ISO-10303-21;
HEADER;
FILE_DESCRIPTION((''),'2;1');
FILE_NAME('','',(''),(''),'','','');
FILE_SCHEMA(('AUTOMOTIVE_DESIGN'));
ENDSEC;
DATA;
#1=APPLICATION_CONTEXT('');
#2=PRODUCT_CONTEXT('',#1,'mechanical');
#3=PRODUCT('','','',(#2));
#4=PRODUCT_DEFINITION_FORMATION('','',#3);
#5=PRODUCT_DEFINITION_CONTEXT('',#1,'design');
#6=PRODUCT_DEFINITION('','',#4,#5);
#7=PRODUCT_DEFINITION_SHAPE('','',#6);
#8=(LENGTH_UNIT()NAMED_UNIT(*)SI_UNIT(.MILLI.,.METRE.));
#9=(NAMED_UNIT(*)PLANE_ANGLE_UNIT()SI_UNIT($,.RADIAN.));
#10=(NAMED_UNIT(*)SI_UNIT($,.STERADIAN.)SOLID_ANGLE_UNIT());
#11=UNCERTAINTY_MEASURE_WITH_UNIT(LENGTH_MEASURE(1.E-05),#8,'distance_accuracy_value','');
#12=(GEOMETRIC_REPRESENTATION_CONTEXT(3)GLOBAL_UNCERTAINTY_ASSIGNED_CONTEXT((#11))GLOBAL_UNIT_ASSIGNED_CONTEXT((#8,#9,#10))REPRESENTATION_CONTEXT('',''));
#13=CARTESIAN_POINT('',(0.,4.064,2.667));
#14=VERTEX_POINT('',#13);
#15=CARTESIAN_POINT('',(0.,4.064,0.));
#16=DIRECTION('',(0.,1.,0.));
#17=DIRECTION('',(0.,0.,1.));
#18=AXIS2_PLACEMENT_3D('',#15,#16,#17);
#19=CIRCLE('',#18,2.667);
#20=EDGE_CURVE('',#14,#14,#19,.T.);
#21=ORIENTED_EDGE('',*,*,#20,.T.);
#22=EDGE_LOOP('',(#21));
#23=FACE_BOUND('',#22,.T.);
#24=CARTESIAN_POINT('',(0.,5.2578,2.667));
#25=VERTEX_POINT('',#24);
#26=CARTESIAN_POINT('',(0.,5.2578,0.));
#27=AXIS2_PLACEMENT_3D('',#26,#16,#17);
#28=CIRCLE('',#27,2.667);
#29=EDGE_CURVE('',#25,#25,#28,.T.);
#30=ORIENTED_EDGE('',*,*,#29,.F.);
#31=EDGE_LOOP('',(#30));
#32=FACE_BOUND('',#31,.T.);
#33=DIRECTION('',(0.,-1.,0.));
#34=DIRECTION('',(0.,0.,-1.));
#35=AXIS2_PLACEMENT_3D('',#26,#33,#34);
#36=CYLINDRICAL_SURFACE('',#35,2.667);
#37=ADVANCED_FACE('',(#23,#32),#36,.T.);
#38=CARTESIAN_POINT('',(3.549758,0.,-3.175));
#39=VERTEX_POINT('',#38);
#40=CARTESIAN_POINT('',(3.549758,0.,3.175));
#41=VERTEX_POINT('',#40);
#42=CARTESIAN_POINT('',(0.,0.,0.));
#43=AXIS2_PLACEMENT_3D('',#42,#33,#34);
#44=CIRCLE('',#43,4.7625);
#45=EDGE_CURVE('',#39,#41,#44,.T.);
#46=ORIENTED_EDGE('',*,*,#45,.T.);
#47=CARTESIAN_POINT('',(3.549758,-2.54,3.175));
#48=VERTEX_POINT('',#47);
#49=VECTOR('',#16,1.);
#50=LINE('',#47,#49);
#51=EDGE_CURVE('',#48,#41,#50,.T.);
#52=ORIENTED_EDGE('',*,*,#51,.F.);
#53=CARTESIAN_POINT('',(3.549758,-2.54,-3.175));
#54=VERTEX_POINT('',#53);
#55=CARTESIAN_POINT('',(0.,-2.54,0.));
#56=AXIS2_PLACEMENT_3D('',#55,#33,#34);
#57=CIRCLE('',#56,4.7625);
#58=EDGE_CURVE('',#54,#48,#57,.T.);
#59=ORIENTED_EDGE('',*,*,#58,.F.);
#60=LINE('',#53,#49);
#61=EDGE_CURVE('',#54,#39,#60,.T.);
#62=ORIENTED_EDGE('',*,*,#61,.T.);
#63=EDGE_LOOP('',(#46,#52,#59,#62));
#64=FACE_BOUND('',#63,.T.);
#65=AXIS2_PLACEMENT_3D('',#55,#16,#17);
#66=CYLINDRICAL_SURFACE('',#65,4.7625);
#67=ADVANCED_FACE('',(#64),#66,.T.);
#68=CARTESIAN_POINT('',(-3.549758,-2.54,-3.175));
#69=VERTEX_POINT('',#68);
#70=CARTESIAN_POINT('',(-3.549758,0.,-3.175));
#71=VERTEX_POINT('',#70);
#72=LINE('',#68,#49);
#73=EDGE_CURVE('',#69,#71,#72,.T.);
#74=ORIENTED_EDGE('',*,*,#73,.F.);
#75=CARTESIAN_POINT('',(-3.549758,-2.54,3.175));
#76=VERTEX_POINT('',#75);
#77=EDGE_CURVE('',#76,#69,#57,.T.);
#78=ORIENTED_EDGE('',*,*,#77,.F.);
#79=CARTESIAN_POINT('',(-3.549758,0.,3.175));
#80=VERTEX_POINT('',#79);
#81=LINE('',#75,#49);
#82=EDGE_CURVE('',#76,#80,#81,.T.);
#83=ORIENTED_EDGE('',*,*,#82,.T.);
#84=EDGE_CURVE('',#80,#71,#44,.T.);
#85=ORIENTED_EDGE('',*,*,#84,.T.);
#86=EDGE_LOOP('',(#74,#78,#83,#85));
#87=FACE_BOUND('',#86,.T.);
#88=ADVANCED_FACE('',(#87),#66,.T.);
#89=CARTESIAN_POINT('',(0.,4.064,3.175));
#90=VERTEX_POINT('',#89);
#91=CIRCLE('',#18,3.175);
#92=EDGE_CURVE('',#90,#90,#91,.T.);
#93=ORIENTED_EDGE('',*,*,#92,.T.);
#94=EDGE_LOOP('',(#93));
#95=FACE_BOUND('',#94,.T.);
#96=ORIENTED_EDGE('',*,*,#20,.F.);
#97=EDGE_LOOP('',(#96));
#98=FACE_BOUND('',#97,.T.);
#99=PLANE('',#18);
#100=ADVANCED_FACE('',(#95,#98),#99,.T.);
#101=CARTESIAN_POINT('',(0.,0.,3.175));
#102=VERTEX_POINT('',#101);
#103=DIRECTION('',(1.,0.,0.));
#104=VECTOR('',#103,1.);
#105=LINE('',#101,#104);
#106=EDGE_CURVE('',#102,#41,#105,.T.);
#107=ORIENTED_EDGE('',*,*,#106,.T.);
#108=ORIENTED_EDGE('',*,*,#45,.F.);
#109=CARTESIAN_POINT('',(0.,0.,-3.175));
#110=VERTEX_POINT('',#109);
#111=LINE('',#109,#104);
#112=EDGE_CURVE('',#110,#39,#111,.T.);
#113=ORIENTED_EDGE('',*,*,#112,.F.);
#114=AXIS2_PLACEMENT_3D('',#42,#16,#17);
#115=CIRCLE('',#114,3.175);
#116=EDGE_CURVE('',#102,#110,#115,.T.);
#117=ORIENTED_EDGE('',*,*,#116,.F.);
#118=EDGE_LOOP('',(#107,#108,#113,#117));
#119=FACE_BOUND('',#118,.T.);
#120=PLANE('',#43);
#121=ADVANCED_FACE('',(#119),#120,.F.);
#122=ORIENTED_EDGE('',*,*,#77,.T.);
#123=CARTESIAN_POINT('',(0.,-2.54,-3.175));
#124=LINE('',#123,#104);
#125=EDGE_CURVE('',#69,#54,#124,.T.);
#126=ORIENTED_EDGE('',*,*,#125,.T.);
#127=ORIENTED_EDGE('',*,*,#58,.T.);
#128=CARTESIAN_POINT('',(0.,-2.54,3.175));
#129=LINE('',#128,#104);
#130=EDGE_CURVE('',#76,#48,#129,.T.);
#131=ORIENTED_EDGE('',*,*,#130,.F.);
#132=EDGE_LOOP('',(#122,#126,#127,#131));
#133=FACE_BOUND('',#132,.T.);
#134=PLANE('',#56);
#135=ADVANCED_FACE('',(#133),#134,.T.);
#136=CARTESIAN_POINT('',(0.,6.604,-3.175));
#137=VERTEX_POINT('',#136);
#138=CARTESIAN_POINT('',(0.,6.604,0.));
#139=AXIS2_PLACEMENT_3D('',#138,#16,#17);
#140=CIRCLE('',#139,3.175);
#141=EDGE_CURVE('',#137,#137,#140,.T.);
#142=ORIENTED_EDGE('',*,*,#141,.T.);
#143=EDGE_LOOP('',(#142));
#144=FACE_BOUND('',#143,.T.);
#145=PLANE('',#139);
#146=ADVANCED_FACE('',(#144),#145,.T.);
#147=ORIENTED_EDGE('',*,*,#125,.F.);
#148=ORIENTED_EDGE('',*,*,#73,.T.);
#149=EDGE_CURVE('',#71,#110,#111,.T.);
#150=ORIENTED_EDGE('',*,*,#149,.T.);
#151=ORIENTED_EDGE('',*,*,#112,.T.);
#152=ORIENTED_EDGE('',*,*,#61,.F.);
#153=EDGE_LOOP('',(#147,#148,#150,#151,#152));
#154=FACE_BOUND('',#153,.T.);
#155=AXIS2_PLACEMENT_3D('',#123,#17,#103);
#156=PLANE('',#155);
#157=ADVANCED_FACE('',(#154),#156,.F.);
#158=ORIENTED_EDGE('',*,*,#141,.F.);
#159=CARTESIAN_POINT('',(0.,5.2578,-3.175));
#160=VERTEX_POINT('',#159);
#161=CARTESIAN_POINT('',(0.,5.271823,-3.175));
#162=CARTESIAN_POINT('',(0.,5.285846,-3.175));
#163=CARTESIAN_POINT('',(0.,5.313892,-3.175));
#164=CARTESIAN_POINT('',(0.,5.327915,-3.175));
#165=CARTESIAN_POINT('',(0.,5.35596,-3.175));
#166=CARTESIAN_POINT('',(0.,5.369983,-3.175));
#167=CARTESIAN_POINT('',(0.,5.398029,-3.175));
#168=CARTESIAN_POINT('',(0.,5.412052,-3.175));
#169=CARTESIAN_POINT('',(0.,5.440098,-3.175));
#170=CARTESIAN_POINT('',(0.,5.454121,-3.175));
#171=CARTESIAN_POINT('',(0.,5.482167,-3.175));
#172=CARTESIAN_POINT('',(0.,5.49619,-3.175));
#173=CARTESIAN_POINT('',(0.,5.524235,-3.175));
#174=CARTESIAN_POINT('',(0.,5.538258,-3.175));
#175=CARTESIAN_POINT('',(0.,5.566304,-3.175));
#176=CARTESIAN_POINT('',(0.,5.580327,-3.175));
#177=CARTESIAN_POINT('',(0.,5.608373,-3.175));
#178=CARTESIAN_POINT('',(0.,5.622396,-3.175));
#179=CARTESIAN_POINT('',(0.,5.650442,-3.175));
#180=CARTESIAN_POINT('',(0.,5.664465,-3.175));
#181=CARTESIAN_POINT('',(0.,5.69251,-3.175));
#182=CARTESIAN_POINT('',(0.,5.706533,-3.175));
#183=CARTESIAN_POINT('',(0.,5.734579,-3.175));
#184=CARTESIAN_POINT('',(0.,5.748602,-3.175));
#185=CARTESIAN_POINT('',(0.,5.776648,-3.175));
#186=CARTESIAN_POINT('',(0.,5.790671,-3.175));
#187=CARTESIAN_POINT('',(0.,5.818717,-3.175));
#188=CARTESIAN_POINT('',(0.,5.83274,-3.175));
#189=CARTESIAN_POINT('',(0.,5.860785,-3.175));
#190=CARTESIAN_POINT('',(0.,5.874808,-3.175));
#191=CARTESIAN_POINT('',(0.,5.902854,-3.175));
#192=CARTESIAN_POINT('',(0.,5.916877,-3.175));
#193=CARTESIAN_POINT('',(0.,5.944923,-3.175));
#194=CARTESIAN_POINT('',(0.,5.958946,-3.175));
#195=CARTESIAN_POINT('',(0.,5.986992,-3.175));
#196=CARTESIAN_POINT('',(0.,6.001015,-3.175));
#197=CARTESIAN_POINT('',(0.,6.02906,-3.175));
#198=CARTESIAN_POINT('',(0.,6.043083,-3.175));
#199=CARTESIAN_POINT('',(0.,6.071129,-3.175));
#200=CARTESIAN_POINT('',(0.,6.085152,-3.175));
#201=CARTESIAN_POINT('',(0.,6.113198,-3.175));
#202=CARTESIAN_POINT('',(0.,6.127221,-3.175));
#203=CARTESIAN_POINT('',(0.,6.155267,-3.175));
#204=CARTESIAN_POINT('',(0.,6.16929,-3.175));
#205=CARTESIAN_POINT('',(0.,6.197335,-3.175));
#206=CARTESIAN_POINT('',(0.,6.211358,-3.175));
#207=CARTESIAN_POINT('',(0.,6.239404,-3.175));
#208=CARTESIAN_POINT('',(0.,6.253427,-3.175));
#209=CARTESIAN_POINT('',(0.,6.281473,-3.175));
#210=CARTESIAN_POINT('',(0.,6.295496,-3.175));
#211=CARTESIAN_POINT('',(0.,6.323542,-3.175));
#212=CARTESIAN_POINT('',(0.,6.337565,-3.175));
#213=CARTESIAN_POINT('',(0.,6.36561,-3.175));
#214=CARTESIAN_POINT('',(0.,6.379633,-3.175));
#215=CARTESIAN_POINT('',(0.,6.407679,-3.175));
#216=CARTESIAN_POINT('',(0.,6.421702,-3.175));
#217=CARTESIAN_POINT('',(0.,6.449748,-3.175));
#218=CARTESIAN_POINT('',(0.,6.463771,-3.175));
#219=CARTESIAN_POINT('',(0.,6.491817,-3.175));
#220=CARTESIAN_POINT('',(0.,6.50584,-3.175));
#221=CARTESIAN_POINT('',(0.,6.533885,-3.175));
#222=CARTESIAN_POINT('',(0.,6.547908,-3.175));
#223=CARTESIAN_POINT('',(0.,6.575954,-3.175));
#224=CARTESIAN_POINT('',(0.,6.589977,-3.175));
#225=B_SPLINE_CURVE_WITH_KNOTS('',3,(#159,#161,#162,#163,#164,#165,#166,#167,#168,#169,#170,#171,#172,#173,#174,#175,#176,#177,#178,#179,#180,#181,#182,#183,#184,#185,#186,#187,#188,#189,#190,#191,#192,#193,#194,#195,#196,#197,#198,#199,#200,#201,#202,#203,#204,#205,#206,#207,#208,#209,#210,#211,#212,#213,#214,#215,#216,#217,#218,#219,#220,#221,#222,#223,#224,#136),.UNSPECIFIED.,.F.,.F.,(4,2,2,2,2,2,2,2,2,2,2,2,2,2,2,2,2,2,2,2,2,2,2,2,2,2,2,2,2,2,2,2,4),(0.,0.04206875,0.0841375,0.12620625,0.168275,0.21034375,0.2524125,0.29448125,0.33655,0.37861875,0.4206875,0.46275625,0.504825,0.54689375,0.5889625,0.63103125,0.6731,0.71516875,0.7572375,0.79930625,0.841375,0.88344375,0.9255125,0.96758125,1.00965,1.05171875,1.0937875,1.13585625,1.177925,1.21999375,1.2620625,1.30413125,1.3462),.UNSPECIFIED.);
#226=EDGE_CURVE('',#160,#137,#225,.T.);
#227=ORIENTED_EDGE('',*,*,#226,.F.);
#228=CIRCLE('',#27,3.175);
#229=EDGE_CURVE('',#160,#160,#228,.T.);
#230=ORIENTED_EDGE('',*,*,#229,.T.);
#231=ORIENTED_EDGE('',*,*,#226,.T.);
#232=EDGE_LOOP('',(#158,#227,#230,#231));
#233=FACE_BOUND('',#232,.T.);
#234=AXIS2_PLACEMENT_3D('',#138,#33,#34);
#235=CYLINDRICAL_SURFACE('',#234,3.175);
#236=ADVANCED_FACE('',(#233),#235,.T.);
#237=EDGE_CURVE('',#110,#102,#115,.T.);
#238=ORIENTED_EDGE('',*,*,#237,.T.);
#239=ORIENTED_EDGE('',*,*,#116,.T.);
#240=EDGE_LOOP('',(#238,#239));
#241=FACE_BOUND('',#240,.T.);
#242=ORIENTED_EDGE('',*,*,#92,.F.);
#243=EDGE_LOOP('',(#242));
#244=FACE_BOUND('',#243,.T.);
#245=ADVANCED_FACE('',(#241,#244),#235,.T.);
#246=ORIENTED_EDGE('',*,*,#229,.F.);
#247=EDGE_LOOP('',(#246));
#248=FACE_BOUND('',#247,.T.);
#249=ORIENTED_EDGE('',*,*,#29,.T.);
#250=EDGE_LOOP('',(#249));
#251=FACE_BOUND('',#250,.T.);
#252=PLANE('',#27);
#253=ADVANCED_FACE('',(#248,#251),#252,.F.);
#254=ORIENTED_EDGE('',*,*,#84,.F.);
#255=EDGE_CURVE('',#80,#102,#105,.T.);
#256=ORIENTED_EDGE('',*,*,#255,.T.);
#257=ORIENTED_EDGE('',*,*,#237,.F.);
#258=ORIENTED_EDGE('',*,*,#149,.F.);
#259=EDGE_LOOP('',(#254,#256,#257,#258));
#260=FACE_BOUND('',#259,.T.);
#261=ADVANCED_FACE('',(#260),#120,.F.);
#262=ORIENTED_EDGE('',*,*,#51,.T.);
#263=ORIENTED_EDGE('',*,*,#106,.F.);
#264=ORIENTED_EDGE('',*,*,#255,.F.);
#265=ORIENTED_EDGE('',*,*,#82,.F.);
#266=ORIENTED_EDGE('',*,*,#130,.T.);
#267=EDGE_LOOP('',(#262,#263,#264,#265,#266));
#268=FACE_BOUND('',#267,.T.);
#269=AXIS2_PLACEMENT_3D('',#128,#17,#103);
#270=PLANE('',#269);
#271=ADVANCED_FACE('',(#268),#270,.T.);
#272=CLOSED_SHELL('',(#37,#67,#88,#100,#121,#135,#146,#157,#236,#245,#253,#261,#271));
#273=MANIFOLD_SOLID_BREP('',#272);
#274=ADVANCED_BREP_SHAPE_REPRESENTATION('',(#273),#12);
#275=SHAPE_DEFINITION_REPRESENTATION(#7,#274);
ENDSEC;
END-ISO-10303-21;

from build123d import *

# Parameters (mm, degrees)
SKETCH1_R           = 3.175
BOSS_EXTRUDE1_DEPTH = 6.604
BOSS_EXTRUDE2_DEPTH = 2.54
SKETCH6_OUTSIDE_W   = 14.455
SKETCH6_OUTSIDE_H   = 11.28
SKETCH6_OUTSIDE_R   = 2.667
CUT_EXTRUDE1_DEPTH  = 1.1938


with BuildPart() as part:
    # Sketch1 → Boss-Extrude1 (new body)
    with BuildSketch(Plane(origin=(0, 0, 0), x_dir=(1, 0, 0), z_dir=(0, 1, 0))):
        with Locations(Location((0, 0, 0), (0, 0, 90))):
            Circle(SKETCH1_R)
    extrude(amount=BOSS_EXTRUDE1_DEPTH)

    # Sketch2 → Boss-Extrude2 (add)
    with BuildSketch(Plane.XZ):
        with BuildLine():
            Line((-3.549757914, 3.175), (3.549757914, 3.175))
            ThreePointArc((3.549757914, 3.175), (4.7625, 0), (3.549757914, -3.175))
            Line((3.549757914, -3.175), (-3.549757914, -3.175))
            ThreePointArc((-3.549757914, -3.175), (-4.7625, 0), (-3.549757914, 3.175))
        make_face()
    extrude(amount=BOSS_EXTRUDE2_DEPTH)

    # Sketch6 outside → Cut-Extrude1 (cut)
    with BuildSketch(Plane(origin=(0, 4.064, 0), x_dir=(1, 0, 0), z_dir=(0, 1, 0))):
        with Locations((0.0005, 0)):
            Rectangle(SKETCH6_OUTSIDE_W, SKETCH6_OUTSIDE_H)
        with Locations(Location((0, 0, 0), (0, 0, 270))):
            Circle(SKETCH6_OUTSIDE_R, mode=Mode.SUBTRACT)
    extrude(amount=CUT_EXTRUDE1_DEPTH, mode=Mode.SUBTRACT)


solid = part.part
